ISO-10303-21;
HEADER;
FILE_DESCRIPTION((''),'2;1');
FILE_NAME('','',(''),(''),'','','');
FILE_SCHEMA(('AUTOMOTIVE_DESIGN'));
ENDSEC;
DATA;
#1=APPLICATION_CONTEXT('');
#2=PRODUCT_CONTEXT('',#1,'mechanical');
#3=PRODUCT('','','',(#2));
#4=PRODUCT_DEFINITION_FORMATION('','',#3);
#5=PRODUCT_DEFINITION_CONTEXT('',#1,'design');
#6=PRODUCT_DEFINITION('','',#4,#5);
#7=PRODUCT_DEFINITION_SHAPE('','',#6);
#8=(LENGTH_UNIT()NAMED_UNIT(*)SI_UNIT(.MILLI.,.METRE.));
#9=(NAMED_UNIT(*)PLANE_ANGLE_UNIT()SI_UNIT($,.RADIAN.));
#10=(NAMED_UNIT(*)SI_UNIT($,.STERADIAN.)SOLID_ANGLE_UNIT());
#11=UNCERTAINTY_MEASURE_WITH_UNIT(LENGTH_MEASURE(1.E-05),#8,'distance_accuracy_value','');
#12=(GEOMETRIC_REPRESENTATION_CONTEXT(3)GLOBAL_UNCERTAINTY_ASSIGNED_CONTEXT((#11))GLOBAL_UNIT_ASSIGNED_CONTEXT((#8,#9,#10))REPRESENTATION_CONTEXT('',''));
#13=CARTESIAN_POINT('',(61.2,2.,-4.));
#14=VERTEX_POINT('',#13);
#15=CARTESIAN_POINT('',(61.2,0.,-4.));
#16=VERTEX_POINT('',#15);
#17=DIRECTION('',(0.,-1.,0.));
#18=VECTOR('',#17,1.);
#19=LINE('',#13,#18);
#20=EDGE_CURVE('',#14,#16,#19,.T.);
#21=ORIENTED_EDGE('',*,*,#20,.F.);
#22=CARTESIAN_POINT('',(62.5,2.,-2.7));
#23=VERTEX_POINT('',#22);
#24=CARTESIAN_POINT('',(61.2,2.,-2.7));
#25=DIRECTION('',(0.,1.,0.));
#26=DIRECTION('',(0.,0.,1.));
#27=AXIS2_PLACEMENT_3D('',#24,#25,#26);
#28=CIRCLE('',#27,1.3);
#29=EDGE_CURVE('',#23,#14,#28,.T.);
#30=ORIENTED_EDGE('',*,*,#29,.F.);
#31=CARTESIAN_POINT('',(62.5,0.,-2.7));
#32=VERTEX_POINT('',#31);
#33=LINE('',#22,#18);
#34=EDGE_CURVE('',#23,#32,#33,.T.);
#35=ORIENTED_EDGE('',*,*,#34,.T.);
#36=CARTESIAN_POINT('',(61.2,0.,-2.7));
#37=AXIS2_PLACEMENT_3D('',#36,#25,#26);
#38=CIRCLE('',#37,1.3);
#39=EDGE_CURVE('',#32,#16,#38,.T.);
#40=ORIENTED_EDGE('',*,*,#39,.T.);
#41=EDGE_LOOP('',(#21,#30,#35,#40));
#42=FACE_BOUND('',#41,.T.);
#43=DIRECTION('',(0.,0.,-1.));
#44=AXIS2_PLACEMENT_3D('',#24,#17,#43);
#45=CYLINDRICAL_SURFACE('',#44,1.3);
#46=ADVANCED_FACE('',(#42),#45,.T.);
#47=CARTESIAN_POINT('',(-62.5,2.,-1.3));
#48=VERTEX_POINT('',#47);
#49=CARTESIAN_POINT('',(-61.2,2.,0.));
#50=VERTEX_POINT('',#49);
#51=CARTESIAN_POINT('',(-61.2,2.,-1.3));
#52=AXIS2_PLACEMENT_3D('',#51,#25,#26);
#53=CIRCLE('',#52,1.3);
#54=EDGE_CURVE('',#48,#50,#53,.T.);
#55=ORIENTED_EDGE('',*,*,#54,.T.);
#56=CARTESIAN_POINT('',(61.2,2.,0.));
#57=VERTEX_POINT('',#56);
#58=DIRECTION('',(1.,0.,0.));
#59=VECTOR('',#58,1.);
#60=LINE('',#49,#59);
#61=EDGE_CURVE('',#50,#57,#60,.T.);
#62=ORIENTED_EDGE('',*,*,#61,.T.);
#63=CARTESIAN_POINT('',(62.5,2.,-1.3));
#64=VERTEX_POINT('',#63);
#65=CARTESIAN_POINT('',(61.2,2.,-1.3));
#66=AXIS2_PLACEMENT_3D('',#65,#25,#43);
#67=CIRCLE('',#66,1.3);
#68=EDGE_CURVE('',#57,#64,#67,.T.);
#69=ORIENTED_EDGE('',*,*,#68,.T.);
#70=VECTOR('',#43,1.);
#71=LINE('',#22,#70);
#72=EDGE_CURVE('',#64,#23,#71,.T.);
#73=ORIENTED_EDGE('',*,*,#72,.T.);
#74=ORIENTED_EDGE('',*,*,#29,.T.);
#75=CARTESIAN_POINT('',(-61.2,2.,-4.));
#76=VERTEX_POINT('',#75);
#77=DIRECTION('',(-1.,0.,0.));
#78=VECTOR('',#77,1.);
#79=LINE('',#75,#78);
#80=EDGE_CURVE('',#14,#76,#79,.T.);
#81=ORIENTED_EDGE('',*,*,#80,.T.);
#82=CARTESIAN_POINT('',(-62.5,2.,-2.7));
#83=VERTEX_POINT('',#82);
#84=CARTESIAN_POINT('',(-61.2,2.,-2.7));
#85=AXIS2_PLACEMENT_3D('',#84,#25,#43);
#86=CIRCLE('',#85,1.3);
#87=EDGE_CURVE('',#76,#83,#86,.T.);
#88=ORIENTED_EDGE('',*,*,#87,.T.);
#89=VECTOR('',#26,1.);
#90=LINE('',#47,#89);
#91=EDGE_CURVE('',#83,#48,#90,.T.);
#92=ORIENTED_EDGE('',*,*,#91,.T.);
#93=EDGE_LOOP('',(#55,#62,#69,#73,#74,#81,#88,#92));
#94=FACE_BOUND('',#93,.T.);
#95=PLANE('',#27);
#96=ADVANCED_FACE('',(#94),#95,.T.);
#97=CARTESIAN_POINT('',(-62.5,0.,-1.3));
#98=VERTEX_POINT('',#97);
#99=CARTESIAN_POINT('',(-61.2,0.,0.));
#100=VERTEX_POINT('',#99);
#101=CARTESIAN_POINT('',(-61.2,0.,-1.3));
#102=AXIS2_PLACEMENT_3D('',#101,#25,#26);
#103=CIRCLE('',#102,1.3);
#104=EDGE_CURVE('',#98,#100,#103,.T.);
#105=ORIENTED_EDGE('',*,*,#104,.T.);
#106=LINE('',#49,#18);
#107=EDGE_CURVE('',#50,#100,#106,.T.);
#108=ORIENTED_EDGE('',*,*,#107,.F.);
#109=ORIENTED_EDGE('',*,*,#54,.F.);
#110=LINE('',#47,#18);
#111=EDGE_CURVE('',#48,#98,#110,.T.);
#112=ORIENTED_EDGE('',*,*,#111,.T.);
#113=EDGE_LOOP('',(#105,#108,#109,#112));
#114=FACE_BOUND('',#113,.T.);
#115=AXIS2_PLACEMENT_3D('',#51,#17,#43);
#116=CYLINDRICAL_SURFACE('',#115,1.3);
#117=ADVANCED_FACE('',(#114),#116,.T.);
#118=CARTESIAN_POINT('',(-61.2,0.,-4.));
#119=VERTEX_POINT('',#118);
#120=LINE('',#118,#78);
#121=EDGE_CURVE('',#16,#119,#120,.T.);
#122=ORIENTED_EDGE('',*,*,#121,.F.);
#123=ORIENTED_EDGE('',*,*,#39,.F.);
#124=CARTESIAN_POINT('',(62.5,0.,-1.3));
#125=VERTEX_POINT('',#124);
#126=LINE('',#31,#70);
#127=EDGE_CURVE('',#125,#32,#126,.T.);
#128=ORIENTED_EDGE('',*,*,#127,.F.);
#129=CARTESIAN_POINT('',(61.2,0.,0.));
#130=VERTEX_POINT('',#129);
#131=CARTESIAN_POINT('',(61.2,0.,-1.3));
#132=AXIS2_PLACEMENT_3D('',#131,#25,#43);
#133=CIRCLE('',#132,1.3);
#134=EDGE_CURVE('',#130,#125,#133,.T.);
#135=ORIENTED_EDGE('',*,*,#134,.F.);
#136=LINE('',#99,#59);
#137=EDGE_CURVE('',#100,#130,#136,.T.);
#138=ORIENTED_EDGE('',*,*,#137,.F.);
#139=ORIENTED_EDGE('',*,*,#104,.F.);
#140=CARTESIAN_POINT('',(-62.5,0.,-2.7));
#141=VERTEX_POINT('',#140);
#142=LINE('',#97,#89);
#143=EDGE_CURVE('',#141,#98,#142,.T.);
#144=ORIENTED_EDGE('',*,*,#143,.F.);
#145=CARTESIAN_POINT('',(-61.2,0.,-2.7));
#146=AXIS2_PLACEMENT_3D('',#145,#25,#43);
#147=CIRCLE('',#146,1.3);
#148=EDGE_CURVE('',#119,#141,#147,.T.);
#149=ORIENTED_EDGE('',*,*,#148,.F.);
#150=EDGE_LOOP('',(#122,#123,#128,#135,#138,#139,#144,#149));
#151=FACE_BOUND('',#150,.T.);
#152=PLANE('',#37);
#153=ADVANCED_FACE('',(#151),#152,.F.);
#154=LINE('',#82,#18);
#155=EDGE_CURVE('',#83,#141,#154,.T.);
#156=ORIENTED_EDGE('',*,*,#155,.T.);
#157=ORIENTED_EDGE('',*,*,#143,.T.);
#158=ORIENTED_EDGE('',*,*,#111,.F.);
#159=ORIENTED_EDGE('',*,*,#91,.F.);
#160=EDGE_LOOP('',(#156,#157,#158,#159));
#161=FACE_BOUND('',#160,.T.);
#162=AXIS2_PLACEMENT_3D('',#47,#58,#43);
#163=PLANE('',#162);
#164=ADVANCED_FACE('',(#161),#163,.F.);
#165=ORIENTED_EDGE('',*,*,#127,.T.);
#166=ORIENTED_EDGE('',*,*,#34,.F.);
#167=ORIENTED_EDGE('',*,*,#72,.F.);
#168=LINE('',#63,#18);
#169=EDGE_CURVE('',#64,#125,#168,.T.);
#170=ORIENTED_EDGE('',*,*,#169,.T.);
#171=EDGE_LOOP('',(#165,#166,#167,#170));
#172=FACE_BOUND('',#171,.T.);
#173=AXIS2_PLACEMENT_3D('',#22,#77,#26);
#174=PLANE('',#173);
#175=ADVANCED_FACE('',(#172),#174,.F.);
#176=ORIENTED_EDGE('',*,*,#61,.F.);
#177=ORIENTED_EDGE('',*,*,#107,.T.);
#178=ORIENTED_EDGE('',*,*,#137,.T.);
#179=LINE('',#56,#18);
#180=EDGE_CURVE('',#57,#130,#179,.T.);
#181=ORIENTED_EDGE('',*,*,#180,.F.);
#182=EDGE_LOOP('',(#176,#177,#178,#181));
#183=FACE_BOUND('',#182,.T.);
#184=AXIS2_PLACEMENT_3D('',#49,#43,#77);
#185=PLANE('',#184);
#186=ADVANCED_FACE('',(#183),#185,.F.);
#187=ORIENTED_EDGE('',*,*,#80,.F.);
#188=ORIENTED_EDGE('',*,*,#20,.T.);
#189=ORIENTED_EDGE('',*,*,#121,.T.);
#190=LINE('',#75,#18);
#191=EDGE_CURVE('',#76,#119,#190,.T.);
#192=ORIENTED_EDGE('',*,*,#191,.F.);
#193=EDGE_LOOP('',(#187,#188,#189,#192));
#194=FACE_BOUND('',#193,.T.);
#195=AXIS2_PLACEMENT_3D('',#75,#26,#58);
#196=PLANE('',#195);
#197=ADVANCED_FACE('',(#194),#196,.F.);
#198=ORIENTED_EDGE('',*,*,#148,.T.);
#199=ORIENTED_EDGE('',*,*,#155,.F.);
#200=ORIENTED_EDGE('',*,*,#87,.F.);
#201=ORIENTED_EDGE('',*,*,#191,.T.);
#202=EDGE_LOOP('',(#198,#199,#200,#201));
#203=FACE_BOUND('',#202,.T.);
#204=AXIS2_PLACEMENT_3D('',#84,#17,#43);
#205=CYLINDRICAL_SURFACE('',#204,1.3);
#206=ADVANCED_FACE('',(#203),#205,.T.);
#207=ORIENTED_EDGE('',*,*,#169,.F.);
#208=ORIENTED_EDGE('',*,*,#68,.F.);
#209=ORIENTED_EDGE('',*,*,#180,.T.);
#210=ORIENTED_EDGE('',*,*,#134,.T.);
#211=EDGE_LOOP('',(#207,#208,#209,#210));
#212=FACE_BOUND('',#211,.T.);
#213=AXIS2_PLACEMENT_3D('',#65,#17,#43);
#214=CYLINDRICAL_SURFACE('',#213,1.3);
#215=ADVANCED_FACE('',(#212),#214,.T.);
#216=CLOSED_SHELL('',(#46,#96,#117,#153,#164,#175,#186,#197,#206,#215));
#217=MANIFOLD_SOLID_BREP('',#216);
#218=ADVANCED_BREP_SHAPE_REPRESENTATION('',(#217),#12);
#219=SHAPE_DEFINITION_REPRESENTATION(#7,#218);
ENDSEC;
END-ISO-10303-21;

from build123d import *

# Parameters (mm, degrees)
SALIENTE_EXTRUIR1_DEPTH = 2


with BuildPart() as part:
    # Croquis1 → Saliente-Extruir1 (new body)
    with BuildSketch(Plane(origin=(0, 0, 0), x_dir=(1, 0, 0), z_dir=(0, 1, 0))):
        with BuildLine():
            Line((-61.2, 0), (61.2, 0))
            ThreePointArc((61.2, 0), (62.119238816, 0.380761184), (62.5, 1.3))
            Line((62.5, 1.3), (62.5, 2.7))
            ThreePointArc((62.5, 2.7), (62.119238816, 3.619238816), (61.2, 4))
            Line((61.2, 4), (-61.2, 4))
            ThreePointArc((-61.2, 4), (-62.119238816, 3.619238816), (-62.5, 2.7))
            Line((-62.5, 2.7), (-62.5, 1.3))
            ThreePointArc((-62.5, 1.3), (-62.119238816, 0.380761184), (-61.2, 0))
        make_face()
    extrude(amount=SALIENTE_EXTRUIR1_DEPTH)


solid = part.part
